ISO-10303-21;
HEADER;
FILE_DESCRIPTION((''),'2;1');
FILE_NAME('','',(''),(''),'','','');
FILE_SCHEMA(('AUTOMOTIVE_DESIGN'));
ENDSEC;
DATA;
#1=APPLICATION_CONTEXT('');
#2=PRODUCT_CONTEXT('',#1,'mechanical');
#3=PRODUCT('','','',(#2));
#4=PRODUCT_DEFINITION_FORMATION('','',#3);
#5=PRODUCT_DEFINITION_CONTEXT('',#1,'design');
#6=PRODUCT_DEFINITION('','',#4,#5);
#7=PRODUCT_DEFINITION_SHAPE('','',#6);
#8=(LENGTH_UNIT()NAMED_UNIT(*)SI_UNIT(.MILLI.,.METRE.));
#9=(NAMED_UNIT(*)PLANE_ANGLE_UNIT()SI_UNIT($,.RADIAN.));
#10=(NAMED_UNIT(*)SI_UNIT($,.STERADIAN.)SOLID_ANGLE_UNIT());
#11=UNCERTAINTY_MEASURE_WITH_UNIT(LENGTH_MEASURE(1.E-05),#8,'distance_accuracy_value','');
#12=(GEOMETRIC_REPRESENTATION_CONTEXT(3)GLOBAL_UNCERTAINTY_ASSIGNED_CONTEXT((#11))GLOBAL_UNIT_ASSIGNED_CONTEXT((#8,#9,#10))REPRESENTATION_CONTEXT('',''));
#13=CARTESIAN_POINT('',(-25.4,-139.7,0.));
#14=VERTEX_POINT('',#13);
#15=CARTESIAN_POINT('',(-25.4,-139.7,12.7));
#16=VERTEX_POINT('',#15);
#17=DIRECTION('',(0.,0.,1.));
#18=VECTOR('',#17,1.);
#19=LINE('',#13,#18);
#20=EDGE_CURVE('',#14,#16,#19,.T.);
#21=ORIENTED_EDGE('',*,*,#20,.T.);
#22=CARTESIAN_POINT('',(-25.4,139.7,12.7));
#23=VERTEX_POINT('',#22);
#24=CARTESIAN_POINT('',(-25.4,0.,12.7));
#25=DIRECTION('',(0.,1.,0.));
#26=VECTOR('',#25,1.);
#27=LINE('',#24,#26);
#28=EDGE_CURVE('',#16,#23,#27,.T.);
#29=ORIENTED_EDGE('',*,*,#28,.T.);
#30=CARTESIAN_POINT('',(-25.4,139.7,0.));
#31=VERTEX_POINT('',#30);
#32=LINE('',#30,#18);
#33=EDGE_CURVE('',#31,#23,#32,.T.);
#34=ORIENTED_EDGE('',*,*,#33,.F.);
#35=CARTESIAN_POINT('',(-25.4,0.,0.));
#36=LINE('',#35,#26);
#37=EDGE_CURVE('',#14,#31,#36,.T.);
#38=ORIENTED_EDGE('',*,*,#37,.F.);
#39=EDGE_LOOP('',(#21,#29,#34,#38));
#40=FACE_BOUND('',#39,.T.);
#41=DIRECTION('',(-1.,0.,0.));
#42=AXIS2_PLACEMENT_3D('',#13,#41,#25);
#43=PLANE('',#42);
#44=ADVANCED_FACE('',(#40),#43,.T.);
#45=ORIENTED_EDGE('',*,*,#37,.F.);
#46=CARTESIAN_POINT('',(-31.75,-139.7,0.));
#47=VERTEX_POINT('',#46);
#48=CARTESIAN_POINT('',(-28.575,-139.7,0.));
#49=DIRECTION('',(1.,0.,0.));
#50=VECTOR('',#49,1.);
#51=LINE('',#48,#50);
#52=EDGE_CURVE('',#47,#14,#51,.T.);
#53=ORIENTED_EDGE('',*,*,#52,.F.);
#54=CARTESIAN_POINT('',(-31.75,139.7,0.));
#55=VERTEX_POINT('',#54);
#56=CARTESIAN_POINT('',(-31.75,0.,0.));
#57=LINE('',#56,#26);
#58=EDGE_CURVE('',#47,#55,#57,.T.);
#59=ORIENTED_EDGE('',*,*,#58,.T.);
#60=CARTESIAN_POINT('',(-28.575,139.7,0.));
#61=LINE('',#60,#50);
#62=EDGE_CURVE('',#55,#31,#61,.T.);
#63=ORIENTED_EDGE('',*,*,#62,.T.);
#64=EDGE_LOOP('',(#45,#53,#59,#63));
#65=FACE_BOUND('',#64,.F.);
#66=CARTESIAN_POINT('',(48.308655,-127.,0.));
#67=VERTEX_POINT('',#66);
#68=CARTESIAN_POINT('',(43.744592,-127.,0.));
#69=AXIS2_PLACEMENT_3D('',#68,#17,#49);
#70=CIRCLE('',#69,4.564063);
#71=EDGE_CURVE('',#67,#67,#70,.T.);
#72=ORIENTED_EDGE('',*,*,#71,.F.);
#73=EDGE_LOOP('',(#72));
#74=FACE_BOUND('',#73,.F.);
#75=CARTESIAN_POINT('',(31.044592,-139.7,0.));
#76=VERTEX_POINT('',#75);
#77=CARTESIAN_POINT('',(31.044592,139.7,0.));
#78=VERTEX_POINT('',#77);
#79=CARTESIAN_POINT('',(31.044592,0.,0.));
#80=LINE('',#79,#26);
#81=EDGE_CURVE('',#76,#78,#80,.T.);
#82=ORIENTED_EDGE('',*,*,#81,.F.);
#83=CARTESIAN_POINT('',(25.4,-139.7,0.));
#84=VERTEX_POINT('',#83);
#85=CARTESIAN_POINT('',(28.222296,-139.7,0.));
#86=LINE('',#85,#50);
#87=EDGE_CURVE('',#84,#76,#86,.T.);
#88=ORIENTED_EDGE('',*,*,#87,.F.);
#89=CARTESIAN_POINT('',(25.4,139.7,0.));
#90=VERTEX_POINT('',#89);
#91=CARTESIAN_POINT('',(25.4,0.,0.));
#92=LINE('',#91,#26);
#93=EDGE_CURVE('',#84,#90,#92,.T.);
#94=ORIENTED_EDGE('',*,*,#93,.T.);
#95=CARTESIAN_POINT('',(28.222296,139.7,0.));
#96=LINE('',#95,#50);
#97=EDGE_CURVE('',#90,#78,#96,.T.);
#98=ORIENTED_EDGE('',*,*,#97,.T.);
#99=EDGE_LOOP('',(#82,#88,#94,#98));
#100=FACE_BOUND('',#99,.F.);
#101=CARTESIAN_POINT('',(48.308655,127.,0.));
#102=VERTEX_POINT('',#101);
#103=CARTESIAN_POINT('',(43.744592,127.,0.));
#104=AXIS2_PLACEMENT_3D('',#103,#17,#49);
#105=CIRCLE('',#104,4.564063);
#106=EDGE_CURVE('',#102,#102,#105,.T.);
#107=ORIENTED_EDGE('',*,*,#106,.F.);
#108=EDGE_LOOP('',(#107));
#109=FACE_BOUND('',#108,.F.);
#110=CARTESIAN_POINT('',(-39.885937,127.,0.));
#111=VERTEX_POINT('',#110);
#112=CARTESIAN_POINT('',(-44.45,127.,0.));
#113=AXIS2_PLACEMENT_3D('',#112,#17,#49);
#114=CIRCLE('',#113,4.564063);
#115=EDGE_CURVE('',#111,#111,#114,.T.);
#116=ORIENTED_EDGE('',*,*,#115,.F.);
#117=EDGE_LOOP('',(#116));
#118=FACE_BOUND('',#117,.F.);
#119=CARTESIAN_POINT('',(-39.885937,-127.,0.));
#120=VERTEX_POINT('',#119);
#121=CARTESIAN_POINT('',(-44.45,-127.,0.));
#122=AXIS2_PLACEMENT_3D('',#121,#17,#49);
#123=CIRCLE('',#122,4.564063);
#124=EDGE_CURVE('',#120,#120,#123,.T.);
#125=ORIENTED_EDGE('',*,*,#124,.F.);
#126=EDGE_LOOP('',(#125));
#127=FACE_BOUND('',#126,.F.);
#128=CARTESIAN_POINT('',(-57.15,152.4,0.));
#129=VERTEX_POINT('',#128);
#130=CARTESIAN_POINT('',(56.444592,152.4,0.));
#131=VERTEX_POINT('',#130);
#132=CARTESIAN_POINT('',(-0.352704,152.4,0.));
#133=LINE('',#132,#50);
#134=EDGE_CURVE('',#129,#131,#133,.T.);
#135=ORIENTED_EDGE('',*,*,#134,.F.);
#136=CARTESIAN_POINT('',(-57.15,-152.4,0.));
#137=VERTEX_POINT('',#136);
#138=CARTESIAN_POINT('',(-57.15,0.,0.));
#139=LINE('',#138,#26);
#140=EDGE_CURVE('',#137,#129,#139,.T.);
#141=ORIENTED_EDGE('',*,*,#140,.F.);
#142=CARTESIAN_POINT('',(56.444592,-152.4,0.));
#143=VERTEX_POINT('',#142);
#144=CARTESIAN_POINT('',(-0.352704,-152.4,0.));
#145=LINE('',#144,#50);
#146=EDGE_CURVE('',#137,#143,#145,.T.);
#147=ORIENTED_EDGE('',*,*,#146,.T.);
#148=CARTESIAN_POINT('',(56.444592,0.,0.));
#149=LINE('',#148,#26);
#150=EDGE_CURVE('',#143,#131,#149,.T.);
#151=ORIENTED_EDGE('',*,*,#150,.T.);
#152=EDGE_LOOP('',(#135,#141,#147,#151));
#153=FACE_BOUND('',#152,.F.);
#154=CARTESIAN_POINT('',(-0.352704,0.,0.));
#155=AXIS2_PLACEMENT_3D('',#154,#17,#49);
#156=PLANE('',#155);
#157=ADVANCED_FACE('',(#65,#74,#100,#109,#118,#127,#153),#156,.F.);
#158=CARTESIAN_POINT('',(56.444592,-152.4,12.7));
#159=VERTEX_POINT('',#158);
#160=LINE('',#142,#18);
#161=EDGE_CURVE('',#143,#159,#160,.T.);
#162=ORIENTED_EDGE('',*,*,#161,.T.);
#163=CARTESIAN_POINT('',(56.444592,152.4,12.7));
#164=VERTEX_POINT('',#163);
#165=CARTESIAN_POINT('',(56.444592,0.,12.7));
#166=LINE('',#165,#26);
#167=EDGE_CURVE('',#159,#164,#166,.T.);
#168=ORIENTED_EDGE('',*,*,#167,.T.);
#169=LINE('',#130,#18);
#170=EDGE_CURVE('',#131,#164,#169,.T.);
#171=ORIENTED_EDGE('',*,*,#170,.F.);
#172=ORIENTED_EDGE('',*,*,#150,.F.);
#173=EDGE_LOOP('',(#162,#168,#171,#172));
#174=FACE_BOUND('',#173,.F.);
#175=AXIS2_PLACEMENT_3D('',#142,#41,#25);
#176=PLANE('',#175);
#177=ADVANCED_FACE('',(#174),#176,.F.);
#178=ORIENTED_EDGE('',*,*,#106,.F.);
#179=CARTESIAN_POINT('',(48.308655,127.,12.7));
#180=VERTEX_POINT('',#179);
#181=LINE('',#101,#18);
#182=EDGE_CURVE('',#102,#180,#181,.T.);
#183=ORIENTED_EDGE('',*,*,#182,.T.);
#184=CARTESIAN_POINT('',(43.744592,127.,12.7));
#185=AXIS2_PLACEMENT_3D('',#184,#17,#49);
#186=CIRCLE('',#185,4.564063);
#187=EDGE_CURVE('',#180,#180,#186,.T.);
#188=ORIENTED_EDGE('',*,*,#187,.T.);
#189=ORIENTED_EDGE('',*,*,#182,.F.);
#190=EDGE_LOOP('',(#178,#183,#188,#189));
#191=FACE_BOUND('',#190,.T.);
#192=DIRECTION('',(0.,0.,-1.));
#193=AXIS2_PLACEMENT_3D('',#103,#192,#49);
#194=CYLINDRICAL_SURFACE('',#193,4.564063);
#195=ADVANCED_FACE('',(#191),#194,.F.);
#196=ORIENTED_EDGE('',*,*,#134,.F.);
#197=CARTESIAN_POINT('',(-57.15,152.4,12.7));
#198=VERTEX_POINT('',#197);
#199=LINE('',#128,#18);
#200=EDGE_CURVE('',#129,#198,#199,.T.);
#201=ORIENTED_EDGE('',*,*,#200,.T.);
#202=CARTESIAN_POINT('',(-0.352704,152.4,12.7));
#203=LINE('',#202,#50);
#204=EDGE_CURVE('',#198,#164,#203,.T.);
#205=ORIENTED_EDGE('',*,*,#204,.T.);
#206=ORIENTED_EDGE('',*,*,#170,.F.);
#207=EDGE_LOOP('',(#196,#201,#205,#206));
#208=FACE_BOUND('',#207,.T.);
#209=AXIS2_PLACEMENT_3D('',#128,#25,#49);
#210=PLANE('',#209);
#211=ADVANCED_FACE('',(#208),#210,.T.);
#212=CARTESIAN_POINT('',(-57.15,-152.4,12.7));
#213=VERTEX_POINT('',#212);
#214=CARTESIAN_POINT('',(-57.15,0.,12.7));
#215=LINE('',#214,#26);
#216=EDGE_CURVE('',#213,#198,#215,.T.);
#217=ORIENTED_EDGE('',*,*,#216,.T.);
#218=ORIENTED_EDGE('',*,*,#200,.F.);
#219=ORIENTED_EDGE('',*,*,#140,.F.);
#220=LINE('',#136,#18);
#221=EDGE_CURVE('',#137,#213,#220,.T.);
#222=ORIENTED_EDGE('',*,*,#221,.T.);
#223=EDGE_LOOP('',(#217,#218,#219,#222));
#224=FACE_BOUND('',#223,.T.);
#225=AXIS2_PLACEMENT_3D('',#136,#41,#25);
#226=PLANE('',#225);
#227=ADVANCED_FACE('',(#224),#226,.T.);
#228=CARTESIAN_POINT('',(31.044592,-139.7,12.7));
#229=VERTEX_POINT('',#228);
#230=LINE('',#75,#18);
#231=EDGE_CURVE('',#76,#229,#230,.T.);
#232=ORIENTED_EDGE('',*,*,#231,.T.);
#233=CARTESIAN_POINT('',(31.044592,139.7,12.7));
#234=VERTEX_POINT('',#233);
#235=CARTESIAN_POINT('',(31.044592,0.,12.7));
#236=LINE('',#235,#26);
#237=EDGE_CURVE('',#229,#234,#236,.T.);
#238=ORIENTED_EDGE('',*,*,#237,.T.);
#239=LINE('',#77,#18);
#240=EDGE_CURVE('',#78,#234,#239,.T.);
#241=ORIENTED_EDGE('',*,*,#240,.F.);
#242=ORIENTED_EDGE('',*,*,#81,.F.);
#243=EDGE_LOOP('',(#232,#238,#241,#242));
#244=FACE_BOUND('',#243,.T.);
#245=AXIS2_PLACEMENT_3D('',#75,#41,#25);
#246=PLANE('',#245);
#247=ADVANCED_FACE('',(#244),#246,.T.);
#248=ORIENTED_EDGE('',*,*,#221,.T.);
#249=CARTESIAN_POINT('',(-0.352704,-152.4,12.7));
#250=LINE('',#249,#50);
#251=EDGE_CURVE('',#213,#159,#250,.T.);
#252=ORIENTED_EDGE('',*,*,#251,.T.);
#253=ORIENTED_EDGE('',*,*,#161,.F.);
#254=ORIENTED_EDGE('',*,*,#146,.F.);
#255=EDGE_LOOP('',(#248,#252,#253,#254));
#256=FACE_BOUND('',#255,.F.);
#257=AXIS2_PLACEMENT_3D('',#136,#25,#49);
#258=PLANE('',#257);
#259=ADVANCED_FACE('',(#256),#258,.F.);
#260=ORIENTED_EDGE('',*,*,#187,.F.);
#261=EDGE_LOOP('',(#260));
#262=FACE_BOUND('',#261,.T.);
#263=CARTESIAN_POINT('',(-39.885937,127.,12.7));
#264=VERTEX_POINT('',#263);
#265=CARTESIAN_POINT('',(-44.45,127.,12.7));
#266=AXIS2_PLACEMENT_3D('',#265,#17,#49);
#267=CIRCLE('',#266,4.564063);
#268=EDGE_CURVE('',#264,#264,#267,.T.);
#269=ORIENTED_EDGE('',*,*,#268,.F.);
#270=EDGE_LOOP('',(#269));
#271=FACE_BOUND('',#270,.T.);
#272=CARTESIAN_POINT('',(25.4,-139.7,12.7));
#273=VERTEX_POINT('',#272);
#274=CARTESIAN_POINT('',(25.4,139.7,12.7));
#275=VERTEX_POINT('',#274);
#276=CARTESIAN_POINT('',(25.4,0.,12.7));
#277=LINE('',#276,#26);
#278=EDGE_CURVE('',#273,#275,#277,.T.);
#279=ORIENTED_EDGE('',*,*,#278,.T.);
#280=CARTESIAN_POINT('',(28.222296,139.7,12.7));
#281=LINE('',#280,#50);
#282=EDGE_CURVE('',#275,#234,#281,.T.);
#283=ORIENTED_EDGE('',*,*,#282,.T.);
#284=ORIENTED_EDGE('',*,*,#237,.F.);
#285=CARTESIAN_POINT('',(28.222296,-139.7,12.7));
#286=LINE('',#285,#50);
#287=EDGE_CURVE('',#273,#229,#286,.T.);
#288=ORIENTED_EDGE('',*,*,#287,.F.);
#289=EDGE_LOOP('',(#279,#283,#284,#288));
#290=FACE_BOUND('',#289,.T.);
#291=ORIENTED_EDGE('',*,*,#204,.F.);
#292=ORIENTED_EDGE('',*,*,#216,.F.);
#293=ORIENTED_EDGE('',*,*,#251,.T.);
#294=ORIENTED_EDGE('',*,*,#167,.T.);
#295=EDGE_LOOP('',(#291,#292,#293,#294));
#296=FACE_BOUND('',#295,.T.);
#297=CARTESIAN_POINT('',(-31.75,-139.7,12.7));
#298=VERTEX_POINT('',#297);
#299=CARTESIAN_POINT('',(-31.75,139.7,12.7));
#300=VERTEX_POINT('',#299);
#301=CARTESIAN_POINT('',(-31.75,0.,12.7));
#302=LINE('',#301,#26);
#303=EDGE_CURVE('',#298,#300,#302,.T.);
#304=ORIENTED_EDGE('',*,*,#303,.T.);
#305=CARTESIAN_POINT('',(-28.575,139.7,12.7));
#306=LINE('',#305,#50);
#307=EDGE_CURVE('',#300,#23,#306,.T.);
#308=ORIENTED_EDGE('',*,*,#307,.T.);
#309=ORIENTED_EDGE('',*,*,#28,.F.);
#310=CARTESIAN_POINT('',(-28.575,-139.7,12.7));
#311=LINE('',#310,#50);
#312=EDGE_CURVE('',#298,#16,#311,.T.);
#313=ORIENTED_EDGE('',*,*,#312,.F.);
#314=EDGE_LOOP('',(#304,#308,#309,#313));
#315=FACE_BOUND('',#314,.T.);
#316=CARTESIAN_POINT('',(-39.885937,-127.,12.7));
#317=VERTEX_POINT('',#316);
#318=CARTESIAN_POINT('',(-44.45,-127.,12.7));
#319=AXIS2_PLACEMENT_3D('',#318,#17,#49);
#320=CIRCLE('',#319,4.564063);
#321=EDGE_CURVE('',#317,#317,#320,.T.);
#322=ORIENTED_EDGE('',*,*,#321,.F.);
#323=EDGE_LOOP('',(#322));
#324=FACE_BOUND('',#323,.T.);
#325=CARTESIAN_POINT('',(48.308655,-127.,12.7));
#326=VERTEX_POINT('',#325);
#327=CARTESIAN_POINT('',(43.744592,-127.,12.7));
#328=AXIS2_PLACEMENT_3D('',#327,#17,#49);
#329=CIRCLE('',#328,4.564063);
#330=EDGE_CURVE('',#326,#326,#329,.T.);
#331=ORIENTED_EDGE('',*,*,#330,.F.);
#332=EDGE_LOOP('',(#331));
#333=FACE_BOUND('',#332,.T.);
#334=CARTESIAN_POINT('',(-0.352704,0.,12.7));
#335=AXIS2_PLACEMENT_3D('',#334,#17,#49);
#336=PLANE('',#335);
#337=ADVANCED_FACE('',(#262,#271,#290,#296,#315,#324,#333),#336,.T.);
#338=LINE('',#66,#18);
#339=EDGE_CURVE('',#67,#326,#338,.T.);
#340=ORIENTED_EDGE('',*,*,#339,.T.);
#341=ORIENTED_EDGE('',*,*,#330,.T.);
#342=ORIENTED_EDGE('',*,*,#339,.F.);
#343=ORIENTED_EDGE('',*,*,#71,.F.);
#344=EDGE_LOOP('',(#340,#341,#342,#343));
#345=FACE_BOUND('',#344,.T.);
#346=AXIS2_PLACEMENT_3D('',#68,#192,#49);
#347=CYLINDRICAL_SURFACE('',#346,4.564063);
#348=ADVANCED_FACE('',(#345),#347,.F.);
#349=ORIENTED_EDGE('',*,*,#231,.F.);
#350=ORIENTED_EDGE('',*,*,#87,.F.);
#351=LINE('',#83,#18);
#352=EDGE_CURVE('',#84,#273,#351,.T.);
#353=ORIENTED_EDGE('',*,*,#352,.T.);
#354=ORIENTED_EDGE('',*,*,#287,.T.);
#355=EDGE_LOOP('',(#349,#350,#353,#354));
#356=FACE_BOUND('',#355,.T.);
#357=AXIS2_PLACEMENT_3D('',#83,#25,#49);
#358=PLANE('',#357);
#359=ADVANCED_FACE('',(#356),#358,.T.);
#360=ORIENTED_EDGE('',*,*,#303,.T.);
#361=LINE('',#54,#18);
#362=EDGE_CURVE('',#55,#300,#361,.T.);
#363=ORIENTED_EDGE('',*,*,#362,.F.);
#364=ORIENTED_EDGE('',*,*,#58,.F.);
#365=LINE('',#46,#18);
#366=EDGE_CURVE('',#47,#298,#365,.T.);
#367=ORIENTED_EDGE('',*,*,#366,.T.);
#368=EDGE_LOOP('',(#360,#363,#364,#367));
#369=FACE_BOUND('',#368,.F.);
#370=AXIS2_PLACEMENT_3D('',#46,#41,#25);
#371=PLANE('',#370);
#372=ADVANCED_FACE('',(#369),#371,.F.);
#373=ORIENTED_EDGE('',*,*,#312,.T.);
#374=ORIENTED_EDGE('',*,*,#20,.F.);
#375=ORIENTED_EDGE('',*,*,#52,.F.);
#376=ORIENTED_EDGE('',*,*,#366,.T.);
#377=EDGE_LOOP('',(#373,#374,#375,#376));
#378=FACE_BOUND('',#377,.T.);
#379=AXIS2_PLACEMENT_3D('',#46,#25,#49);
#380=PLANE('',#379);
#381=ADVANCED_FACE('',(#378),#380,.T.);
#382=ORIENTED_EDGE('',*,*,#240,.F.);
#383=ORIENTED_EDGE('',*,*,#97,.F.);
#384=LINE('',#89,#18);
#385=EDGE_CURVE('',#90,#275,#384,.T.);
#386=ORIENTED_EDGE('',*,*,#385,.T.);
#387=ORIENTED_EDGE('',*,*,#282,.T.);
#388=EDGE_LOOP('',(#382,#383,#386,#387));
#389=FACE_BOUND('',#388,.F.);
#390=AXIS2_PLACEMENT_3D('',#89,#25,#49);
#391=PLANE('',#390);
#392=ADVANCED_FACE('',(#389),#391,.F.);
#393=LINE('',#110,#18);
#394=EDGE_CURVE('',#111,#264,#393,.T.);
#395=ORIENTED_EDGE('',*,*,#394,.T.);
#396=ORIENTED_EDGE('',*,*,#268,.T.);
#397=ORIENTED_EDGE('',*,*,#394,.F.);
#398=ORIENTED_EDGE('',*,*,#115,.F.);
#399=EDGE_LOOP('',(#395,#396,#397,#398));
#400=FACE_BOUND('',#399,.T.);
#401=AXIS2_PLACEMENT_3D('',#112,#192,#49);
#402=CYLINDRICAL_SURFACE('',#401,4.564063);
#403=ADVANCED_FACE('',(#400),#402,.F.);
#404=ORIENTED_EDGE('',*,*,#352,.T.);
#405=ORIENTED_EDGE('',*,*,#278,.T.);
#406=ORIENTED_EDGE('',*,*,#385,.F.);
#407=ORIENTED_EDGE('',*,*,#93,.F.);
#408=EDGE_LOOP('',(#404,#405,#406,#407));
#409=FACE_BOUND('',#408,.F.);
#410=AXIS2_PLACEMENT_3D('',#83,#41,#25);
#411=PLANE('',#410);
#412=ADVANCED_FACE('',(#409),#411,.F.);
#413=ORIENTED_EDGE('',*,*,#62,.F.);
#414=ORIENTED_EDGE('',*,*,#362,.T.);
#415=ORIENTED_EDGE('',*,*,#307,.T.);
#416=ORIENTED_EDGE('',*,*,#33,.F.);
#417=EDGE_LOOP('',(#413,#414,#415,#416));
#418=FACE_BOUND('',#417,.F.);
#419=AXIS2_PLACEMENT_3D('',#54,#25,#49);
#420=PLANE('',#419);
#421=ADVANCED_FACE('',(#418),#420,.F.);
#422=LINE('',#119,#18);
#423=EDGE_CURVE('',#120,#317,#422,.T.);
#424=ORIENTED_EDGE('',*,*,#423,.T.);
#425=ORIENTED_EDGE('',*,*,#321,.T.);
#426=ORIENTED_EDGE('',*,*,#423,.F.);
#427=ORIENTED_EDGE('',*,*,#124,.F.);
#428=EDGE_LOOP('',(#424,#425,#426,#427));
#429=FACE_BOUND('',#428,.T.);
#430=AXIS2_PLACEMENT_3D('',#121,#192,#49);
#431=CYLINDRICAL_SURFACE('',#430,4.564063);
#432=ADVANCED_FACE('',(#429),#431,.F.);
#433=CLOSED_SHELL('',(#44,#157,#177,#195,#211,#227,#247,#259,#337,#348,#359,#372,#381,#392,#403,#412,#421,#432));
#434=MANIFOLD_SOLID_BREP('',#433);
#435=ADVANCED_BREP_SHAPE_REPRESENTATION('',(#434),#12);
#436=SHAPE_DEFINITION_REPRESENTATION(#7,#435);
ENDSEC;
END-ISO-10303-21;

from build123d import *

# Parameters (mm, degrees)
F0_W     = 113.594592
F0_H     = 304.8
F0_R     = 4.564063
F0_W_2   = 6.35
F0_H_2   = 279.4
F0_W_3   = 5.644592
F1_DEPTH = 12.7


with BuildPart() as f1:
    # F0 (on Top) → F1 (new body)
    with BuildSketch(Plane.XY):
        with Locations((-0.352704, 0)):
            Rectangle(F0_W, F0_H)
        with Locations((-44.45, -127)):
            Circle(F0_R, mode=Mode.SUBTRACT)
        with Locations((43.744592, -127)):
            Circle(F0_R, mode=Mode.SUBTRACT)
        with Locations((-28.575, 0)):
            Rectangle(F0_W_2, F0_H_2, mode=Mode.SUBTRACT)
        with Locations((-44.45, 127)):
            Circle(F0_R, mode=Mode.SUBTRACT)
        with Locations((28.222296, 0)):
            Rectangle(F0_W_3, F0_H_2, mode=Mode.SUBTRACT)
        with Locations((43.744592, 127)):
            Circle(F0_R, mode=Mode.SUBTRACT)
    extrude(amount=F1_DEPTH)


solid = f1.part
